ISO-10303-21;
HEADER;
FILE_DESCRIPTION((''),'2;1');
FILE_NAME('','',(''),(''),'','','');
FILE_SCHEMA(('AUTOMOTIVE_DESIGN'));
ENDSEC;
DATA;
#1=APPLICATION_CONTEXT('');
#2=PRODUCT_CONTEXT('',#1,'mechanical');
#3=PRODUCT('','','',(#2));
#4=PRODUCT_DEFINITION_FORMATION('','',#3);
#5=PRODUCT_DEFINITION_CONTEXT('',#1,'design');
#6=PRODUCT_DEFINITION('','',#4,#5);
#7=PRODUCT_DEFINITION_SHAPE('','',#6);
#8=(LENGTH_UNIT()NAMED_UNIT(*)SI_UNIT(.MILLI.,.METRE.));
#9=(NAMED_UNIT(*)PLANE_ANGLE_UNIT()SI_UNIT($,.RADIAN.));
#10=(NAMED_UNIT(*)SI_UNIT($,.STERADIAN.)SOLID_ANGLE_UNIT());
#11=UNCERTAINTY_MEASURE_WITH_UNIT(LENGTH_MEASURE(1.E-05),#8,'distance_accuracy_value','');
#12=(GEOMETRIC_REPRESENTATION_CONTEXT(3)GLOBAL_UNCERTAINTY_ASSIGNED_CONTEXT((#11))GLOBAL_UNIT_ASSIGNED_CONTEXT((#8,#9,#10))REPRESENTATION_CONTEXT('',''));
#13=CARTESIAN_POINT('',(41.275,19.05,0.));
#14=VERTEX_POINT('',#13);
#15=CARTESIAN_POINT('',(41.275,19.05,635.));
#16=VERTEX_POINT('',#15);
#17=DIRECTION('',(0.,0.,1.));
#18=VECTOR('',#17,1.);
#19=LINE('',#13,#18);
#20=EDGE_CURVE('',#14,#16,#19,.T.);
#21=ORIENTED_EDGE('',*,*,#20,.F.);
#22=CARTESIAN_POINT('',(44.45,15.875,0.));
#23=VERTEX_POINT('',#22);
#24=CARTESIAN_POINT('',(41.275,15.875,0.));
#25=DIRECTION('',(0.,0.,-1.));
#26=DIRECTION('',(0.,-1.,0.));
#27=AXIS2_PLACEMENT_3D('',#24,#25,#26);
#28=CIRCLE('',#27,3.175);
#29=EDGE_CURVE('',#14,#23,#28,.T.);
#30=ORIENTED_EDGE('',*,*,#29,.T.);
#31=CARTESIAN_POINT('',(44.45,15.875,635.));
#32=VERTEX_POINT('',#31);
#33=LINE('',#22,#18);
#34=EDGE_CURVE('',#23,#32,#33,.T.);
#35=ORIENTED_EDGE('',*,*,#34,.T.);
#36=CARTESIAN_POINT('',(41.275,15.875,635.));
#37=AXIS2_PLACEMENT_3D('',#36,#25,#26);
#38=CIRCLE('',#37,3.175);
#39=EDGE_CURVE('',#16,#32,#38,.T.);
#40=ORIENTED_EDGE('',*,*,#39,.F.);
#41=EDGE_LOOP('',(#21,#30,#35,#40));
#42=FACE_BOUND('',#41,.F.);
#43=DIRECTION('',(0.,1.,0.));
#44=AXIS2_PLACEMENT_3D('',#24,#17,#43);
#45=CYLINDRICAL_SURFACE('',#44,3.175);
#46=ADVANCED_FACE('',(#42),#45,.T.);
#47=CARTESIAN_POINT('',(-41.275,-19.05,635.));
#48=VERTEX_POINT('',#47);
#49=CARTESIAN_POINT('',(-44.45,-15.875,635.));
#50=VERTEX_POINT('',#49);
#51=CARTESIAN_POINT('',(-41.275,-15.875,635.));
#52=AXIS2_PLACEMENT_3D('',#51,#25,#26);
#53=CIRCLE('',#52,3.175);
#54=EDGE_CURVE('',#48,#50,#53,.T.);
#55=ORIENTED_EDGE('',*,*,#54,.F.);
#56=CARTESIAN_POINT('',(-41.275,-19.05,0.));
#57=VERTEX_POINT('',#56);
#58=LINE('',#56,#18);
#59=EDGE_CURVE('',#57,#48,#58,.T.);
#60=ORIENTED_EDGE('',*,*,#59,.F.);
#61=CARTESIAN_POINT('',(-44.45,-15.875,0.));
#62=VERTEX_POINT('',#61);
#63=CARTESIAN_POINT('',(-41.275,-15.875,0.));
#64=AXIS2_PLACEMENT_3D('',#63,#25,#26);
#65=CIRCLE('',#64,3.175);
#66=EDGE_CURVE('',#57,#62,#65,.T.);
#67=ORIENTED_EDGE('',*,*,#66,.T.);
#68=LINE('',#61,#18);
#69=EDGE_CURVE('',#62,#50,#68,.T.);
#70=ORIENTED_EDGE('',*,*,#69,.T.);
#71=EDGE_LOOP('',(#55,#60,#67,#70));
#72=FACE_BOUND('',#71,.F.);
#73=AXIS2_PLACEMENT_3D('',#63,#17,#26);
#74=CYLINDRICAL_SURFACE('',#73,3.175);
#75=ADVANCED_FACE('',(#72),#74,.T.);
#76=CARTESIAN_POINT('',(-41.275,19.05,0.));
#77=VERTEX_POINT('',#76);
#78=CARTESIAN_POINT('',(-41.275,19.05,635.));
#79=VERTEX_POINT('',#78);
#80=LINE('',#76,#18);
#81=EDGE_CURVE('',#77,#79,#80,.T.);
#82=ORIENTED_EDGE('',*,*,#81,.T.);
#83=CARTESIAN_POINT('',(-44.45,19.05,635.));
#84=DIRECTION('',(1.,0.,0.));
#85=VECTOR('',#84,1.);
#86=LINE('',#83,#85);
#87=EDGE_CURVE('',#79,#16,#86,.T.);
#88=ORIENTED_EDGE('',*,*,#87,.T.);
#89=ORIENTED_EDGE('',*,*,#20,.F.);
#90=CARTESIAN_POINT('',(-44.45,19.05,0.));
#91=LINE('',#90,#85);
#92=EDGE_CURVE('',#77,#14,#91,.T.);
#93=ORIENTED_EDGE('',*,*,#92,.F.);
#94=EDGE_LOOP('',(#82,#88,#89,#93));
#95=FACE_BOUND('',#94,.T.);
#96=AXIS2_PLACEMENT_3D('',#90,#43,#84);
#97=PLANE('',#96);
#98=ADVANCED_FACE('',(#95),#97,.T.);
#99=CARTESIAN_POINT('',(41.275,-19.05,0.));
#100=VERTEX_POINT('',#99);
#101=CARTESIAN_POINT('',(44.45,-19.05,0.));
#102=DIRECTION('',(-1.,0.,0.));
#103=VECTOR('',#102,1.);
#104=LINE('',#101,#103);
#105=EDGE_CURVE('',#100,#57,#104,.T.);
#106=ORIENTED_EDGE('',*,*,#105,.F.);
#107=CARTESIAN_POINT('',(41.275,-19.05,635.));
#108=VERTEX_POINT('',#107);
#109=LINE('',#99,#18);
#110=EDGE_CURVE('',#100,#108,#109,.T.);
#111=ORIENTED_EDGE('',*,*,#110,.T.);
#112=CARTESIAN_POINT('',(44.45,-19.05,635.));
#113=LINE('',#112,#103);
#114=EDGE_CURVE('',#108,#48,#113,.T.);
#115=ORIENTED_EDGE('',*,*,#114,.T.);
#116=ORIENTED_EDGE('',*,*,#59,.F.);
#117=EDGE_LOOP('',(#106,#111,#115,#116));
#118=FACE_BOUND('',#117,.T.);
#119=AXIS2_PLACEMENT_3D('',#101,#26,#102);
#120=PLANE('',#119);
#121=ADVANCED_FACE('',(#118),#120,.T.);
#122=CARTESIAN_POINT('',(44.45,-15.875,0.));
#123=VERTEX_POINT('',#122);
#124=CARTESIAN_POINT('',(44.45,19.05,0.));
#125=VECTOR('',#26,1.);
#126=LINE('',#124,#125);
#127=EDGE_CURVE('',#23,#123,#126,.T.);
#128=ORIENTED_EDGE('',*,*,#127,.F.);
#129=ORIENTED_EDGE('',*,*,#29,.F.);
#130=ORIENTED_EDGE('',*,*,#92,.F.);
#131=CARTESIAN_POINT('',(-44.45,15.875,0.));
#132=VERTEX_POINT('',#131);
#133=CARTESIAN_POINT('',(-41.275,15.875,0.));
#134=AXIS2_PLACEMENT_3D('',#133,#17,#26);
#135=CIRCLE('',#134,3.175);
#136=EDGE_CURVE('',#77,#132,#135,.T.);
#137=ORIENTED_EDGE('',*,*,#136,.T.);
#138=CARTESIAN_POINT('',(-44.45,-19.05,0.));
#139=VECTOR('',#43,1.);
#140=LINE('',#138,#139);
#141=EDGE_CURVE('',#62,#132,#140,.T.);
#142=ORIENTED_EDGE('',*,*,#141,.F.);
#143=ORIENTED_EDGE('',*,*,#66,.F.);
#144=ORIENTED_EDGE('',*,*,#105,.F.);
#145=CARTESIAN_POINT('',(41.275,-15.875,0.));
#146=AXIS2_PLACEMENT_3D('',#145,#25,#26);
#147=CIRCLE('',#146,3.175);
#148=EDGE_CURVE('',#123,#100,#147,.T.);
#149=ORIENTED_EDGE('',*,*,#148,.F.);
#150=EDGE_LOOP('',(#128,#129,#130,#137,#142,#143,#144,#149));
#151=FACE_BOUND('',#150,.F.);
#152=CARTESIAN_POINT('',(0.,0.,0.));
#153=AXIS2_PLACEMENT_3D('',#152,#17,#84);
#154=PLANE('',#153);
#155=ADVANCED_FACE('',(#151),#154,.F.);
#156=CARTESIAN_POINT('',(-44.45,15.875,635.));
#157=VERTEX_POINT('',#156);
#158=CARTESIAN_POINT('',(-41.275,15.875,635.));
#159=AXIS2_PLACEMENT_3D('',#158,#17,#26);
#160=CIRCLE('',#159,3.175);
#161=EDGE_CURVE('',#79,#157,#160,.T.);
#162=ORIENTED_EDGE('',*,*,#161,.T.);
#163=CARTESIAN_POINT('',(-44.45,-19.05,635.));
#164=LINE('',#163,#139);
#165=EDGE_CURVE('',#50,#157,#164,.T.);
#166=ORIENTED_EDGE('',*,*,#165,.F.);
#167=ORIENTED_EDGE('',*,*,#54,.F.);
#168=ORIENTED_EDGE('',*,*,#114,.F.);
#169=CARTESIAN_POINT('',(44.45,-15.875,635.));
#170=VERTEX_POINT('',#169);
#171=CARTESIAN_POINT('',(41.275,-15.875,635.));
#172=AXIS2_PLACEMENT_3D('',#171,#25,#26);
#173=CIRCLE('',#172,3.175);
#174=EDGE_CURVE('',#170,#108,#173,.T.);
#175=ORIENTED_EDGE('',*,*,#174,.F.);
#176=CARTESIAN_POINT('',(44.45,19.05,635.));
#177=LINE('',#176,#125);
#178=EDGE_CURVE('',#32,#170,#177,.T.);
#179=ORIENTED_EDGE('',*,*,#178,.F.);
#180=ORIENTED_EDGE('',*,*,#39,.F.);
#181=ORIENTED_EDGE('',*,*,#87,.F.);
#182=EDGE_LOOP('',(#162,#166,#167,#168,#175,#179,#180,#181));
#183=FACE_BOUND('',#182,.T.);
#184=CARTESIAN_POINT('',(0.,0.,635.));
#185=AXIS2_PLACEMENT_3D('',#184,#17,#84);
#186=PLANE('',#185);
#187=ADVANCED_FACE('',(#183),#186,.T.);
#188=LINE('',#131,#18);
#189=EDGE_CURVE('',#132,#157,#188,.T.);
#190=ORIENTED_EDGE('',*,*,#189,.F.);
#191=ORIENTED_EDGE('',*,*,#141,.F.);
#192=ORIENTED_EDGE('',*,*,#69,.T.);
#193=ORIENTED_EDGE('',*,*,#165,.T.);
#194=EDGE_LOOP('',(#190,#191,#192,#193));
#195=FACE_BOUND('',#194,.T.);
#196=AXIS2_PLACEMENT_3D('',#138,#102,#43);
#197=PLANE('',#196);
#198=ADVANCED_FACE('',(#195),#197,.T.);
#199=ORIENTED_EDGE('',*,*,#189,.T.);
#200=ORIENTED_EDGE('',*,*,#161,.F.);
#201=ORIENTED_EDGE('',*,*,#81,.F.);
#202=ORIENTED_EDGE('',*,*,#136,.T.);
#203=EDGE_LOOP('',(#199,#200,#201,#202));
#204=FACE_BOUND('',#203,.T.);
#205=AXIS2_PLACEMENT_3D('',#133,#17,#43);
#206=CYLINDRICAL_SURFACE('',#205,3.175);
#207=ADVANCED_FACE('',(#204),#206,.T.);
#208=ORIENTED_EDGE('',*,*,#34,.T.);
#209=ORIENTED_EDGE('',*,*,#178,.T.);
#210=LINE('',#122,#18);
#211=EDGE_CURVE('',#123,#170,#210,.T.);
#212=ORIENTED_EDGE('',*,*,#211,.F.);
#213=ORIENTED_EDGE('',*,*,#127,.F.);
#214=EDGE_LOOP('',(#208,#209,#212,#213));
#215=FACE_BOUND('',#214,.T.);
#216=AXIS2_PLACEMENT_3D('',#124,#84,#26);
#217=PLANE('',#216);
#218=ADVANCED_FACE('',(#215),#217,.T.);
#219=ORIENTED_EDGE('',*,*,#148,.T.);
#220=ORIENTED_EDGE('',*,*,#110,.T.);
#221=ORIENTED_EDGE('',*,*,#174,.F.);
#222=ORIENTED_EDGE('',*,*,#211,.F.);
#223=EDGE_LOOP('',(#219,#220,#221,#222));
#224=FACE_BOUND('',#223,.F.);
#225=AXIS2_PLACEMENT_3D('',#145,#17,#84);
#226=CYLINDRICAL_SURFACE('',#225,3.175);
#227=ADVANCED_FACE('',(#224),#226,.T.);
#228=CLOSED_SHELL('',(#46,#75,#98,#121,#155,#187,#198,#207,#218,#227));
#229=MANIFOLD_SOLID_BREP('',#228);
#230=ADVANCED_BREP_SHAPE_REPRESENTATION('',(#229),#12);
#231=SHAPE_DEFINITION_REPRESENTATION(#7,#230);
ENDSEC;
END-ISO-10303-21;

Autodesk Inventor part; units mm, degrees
ref_plane "YZ Plane" through (0, 0, 0) normal (1, 0, 0) x (0, 1, 0)
ref_plane "XZ Plane" through (0, 0, 0) normal (0, 1, 0) x (-1, 0, 0)
ref_plane "XY Plane" through (0, 0, 0) normal (0, 0, 1) x (1, 0, 0)
sketch "Sketch1" plane through (0, 0, 0) normal (0, 0, 1) x (1, 0, 0)
  line L0 (-44.45, 19.05) -> (44.45, 19.05)
  line L1 (44.45, 19.05) -> (44.45, -19.05)
  line L2 (44.45, -19.05) -> (-44.45, -19.05)
  line L3 (-44.45, -19.05) -> (-44.45, 19.05)
  line L4 (-44.45, 19.05) -> (44.45, -19.05) construction
  line L5 (44.45, 19.05) -> (-44.45, -19.05) construction
  point P0 (0, 0)
  dimension "d0" = 88.9
  dimension "d1" = 38.1
extrude "Extrusion1" add sketch "Sketch1" along normal blind 635
fillet "Fillet1" radius 3.175 4 edges at (-44.45, -19.05, 317.5) (-44.45, 19.05, 317.5) (44.45, 19.05, 317.5) (44.45, -19.05, 317.5)
properties part number "Center Support"
